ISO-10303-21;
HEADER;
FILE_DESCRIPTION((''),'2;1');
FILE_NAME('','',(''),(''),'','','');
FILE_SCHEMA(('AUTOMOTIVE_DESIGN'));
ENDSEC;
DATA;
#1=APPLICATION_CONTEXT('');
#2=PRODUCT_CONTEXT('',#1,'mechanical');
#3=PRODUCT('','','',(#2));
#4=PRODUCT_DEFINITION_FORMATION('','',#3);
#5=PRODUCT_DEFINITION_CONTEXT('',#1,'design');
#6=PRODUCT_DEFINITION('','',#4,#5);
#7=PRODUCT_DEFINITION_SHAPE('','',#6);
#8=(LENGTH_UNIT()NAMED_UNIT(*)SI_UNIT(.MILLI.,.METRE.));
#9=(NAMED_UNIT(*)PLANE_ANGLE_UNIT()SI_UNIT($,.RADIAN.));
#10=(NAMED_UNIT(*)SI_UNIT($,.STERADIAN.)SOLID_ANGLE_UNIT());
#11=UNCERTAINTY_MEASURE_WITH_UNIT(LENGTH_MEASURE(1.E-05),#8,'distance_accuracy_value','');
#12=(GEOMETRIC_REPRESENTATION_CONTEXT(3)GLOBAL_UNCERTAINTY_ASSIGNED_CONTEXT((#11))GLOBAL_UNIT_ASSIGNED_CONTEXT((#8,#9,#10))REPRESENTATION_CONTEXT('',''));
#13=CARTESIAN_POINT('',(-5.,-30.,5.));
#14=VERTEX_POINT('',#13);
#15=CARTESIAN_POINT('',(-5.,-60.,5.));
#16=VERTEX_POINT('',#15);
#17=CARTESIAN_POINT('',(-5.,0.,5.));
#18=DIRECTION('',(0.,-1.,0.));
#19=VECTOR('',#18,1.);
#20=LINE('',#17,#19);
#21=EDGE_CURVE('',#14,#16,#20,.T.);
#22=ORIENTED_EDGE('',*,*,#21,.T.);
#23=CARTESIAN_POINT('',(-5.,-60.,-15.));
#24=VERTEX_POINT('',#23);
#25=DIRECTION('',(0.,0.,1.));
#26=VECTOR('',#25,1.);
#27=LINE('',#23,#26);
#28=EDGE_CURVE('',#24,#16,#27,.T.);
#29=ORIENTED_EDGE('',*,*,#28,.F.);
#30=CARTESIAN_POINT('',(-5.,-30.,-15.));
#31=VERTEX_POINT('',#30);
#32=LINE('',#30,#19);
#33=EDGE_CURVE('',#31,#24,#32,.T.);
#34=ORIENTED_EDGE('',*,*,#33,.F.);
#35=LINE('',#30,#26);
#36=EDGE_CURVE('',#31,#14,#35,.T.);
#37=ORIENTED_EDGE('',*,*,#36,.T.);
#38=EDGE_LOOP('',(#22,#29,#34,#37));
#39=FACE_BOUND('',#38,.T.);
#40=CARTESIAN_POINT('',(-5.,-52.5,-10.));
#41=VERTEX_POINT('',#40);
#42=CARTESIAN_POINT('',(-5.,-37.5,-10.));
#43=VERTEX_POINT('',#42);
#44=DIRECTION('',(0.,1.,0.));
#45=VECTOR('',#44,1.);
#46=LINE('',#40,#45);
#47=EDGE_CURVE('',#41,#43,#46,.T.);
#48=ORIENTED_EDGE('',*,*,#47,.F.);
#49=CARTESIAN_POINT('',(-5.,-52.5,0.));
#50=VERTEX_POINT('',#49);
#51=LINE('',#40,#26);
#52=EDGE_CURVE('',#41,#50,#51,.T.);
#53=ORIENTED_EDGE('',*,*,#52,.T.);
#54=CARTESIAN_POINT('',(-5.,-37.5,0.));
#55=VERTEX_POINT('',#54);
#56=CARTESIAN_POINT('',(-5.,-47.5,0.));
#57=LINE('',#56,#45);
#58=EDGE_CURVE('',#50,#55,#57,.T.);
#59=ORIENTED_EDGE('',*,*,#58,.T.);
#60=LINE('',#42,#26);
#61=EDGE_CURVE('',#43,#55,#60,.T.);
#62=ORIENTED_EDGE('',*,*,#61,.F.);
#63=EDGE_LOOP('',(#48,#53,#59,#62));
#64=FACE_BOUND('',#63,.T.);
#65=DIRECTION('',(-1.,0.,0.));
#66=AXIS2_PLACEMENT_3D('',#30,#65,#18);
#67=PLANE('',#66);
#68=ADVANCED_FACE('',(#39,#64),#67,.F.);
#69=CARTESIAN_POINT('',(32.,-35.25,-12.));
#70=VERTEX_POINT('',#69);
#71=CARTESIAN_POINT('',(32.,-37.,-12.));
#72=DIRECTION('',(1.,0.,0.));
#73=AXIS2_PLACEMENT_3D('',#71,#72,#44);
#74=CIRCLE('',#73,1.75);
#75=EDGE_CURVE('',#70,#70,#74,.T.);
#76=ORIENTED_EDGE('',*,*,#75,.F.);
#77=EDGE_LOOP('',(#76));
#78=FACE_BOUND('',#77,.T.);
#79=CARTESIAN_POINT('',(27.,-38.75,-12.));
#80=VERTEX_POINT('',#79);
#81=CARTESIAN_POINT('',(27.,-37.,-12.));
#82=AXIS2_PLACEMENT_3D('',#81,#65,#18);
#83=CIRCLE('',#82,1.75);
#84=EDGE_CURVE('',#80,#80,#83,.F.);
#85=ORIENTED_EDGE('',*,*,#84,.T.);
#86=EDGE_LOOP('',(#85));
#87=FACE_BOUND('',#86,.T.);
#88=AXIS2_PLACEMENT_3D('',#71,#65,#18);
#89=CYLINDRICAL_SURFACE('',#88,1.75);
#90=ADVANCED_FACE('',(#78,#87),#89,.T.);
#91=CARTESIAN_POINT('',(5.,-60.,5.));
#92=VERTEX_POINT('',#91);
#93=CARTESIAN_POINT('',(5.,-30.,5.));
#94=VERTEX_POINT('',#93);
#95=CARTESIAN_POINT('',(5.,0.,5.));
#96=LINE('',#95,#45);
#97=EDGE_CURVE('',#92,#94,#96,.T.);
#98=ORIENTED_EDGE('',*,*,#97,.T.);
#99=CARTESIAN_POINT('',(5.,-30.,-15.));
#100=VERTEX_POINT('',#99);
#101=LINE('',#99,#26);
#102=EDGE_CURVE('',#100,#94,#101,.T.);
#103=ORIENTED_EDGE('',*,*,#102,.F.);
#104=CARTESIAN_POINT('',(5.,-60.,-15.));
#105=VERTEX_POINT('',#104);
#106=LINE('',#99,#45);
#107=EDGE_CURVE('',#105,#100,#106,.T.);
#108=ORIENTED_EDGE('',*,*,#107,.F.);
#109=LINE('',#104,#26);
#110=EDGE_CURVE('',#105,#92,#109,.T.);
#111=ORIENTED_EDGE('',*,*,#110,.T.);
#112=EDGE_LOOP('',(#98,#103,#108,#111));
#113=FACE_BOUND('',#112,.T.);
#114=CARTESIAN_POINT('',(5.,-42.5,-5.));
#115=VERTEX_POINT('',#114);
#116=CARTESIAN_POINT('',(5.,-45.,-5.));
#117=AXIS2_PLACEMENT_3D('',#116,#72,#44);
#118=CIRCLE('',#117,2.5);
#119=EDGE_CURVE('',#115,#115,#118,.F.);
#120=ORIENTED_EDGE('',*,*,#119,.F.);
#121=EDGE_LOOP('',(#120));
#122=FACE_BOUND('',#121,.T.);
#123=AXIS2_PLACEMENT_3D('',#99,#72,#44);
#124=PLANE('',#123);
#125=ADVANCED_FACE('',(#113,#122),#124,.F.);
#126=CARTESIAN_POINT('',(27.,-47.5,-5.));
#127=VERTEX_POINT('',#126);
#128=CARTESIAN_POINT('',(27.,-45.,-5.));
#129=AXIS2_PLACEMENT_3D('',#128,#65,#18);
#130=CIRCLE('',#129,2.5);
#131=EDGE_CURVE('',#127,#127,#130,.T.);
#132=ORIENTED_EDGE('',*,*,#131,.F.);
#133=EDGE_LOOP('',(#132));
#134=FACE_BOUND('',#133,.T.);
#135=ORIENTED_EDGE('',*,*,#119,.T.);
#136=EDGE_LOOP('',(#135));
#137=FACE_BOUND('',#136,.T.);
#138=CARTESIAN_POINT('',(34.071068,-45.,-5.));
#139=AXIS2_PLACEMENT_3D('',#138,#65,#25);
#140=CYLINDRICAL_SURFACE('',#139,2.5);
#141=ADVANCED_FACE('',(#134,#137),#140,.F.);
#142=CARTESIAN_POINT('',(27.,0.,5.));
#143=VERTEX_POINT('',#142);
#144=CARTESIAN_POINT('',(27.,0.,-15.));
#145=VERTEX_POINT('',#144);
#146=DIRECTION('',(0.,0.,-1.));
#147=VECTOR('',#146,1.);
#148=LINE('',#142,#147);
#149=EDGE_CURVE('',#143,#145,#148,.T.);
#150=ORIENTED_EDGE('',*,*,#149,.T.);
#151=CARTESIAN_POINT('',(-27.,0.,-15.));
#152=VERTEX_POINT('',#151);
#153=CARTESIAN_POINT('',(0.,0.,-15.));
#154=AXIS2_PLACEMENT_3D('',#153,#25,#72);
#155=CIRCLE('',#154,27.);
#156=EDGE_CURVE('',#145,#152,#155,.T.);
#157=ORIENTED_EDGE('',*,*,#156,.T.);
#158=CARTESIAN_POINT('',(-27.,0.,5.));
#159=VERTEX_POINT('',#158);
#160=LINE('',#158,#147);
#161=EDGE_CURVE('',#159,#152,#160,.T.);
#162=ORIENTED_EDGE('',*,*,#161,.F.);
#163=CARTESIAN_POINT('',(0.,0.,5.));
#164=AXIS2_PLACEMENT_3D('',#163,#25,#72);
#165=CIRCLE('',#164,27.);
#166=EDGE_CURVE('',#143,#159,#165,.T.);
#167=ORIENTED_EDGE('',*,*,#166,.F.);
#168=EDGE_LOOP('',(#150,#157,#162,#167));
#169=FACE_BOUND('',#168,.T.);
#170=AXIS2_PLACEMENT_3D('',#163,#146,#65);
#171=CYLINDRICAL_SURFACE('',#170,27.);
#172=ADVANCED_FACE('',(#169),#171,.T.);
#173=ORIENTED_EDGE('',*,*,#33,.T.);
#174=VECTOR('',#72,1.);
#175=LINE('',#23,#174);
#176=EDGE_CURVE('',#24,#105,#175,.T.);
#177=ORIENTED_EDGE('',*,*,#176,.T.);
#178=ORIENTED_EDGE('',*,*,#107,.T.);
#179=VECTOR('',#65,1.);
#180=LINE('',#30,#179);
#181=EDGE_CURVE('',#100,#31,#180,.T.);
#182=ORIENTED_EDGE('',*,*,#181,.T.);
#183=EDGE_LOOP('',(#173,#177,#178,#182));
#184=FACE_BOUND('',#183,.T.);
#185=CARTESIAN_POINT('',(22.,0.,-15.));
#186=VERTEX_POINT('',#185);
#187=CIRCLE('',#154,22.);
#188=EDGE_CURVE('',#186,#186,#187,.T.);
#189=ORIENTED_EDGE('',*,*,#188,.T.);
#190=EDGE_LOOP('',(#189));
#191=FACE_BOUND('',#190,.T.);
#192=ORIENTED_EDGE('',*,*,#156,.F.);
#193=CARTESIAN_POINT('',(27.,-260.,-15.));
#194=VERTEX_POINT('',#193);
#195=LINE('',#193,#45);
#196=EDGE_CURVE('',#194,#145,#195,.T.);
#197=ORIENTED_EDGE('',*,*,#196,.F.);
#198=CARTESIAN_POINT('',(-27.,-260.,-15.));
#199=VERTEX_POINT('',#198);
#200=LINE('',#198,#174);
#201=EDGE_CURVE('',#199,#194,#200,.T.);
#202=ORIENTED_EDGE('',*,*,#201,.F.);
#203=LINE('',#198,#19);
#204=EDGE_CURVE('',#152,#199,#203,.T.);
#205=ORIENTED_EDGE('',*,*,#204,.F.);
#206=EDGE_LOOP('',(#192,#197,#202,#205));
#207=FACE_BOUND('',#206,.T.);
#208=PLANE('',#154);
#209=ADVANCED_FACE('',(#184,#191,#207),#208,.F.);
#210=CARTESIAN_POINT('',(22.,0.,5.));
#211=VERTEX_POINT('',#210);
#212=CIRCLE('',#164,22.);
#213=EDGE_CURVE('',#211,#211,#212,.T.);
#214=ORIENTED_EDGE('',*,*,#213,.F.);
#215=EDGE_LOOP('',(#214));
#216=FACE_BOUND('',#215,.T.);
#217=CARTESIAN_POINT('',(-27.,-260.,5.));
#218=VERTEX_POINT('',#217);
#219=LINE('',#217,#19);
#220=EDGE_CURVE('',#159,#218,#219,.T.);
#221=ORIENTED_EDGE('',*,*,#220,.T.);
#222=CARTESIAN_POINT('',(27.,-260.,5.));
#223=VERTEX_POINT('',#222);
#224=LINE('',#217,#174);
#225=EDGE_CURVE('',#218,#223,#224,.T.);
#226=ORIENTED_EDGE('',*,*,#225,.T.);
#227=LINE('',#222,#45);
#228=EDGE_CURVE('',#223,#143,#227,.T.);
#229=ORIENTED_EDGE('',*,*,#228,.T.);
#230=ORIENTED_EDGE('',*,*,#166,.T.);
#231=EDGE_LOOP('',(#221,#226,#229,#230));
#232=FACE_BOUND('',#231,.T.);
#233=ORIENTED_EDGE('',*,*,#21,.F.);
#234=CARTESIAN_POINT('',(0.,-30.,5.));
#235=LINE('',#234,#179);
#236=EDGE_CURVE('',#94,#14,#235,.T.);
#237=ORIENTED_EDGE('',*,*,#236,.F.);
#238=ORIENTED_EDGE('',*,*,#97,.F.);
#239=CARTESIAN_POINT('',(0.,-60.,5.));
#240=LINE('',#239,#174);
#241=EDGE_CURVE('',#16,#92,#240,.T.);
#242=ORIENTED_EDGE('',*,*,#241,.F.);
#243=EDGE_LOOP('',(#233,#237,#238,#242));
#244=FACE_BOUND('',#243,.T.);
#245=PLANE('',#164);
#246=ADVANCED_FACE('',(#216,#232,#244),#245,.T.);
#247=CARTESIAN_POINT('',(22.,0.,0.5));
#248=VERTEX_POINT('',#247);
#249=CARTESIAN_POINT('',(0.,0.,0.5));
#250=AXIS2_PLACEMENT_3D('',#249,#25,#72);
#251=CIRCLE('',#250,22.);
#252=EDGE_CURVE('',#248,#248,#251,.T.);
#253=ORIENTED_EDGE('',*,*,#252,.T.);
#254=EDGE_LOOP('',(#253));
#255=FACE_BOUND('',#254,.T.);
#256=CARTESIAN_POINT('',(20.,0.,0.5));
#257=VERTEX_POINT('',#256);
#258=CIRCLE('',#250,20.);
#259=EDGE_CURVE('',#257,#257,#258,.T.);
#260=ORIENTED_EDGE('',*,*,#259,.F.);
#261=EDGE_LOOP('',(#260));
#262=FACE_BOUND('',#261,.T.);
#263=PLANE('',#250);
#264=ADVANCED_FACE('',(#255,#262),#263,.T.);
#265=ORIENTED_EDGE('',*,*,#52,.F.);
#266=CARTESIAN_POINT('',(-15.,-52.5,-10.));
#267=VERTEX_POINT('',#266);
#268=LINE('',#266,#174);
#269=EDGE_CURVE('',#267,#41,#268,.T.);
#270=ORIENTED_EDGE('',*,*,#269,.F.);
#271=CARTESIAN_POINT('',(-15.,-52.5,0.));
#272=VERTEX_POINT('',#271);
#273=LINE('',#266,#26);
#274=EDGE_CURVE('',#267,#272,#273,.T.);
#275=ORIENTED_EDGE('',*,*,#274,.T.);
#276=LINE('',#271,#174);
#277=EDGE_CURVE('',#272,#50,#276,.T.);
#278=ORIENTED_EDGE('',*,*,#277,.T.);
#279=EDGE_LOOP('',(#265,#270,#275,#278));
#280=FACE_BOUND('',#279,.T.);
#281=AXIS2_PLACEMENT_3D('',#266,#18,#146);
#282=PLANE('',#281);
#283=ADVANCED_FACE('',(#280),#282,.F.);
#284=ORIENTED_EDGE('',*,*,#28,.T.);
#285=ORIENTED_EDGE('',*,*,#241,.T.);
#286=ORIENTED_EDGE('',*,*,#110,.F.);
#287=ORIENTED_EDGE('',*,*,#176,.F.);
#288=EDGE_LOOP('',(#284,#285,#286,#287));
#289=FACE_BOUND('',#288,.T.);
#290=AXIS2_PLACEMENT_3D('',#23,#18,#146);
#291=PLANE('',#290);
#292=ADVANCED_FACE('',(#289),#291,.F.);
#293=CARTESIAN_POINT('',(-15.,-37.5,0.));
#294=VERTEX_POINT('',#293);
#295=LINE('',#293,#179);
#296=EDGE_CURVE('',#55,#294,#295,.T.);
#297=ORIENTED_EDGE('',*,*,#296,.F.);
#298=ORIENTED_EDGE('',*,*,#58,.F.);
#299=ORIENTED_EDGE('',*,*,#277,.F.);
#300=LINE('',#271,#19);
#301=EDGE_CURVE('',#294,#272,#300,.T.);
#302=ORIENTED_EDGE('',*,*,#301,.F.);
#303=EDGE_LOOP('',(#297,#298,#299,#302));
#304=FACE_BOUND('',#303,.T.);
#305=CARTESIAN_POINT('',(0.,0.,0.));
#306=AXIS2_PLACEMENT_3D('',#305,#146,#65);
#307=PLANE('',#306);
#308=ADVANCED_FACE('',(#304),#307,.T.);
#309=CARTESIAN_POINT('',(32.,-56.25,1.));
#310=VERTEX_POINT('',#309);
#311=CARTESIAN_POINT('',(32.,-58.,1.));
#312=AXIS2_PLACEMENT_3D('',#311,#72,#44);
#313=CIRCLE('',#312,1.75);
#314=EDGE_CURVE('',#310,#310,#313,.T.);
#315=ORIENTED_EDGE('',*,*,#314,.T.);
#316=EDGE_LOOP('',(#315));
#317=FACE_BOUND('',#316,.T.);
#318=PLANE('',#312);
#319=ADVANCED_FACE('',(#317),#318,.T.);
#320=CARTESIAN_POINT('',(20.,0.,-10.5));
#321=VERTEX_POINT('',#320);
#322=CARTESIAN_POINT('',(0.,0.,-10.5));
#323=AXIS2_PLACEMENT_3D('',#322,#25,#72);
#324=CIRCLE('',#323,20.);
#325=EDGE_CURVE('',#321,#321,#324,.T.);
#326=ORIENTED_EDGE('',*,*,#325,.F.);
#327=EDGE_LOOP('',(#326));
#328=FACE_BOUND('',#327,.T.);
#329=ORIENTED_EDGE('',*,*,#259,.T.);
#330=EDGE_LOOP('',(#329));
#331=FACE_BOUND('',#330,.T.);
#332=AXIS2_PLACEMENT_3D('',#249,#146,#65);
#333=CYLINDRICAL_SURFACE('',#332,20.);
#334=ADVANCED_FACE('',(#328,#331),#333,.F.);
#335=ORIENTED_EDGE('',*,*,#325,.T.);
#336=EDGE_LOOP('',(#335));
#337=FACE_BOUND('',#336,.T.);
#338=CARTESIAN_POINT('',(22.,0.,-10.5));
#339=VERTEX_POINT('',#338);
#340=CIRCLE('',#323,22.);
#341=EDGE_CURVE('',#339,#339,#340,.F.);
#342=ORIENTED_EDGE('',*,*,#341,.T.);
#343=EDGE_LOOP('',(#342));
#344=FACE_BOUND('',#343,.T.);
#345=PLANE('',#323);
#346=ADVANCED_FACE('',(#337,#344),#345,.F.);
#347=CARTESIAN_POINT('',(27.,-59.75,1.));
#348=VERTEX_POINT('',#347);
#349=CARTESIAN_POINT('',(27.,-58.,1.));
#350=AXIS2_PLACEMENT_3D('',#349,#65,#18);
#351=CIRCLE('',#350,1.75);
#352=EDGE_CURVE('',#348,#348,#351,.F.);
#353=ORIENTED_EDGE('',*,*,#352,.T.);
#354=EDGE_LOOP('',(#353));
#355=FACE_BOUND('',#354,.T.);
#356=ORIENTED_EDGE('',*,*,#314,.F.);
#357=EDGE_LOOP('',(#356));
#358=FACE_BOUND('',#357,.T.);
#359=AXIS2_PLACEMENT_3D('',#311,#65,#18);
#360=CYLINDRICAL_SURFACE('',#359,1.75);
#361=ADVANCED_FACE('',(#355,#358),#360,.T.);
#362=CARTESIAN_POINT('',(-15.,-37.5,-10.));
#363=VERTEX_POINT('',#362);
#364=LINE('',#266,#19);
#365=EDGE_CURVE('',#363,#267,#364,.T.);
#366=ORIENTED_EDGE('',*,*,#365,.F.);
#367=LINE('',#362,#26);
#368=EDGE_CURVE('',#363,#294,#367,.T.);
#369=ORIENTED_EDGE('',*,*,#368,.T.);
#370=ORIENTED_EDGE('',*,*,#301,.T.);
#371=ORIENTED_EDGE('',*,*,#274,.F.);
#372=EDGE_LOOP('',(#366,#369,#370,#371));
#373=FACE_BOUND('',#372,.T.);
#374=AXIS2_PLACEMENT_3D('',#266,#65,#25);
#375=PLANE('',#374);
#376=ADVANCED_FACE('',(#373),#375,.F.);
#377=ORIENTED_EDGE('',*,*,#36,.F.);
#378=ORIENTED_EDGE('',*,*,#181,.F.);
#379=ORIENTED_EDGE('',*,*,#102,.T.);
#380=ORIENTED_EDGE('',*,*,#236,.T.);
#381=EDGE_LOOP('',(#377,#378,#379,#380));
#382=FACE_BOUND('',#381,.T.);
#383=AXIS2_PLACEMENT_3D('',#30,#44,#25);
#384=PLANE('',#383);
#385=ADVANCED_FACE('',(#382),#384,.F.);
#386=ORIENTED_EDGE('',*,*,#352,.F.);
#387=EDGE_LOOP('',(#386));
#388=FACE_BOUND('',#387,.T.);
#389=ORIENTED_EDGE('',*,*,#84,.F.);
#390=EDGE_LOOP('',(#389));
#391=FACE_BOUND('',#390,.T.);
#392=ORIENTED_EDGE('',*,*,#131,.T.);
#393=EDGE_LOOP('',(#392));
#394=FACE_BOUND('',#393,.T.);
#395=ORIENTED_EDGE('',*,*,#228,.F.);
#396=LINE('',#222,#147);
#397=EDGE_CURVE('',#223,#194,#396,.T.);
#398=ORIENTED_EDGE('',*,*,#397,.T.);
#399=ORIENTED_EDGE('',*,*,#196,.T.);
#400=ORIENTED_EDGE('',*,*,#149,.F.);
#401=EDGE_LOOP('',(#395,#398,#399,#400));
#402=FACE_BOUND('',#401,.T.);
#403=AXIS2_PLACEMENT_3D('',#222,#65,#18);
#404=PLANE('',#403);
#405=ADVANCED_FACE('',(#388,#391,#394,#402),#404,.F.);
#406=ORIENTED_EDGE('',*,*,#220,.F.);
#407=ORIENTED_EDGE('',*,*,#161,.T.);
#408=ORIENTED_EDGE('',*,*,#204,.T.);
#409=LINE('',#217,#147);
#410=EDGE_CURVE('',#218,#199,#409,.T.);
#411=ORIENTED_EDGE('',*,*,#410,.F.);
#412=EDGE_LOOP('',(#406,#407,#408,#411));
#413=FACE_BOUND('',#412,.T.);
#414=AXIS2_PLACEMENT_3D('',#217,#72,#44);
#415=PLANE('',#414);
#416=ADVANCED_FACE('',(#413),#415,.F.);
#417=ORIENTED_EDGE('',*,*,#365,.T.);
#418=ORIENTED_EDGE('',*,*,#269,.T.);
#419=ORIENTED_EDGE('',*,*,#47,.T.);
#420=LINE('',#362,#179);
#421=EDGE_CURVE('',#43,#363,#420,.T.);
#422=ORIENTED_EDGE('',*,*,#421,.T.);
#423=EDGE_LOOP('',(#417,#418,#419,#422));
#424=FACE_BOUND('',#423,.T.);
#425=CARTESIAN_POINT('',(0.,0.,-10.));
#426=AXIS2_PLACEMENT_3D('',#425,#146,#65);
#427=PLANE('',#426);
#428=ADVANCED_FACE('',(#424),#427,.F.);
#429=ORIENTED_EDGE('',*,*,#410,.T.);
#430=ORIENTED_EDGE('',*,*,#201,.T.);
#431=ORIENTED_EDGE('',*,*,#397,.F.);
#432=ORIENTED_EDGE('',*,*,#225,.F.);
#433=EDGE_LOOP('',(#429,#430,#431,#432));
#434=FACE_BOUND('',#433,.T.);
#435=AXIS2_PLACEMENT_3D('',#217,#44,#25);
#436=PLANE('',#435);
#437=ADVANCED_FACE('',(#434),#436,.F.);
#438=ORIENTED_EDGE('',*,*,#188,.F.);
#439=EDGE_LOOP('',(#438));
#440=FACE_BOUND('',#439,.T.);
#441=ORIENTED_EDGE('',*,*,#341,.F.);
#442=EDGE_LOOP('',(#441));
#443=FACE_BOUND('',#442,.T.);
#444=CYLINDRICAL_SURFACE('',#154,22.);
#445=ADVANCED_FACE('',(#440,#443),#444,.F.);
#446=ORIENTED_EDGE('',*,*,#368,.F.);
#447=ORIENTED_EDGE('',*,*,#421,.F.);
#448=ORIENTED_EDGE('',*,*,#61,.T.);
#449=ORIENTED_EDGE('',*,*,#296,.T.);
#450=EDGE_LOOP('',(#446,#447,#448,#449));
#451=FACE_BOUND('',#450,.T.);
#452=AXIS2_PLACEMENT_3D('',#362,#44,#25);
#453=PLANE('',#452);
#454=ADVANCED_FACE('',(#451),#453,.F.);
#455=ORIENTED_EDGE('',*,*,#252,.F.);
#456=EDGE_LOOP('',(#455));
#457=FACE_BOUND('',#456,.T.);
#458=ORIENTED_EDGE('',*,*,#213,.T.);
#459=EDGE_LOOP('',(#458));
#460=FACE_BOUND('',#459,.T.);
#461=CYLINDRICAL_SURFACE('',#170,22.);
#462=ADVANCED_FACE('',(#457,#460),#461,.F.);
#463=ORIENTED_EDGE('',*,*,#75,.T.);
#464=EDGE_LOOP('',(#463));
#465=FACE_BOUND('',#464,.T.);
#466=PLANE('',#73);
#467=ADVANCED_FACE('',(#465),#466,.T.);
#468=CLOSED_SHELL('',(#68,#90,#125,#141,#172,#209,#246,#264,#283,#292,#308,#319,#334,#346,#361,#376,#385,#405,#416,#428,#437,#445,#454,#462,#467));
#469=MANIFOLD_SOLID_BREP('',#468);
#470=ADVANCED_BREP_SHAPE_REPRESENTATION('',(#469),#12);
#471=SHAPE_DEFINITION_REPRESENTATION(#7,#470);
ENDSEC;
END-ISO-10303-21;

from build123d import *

# Parameters (mm, degrees)
SKETCH1_R               = 22
BOSS_EXTRUDE1_DEPTH     = 5
SKETCH2_R               = 22
SKETCH2_R_2             = 20
BOSS_EXTRUDE2_DEPTH     = 0.5
BOSS_EXTRUDE4_START     = -15
SKETCH1_2_R             = 22
BOSS_EXTRUDE4_DEPTH     = 15
BOSS_EXTRUDE5_START     = -10.5
SKETCH2_2_R             = 22
SKETCH2_2_R_2           = 20
BOSS_EXTRUDE5_DEPTH     = 10.5
CUT_EXTRUDE1_DEPTH      = 263.162163555
CUT_EXTRUDE1_DEPTH_BACK = 263.162163555
SKETCH6_W               = 10
SKETCH6_H               = 30
CUT_EXTRUDE2_DEPTH      = 10
SKETCH8_R               = 2.5
CUT_EXTRUDE3_DEPTH      = 27
SKETCH9_R               = 1.75
BOSS_EXTRUDE6_DEPTH     = 5


with BuildPart() as part:
    # Sketch1 → Boss-Extrude1 (new body)
    with BuildSketch(Plane.XY):
        with BuildLine():
            Line((-27, -260), (27, -260))
            Line((27, -260), (27, 0))
            ThreePointArc((27, 0), (0, 27), (-27, 0))
            Line((-27, 0), (-27, -260))
        make_face()
        Circle(SKETCH1_R, mode=Mode.SUBTRACT)
    extrude(amount=BOSS_EXTRUDE1_DEPTH)

    # Sketch2 → Boss-Extrude2 (add)
    with BuildSketch(Plane.XY):
        Circle(SKETCH2_R)
        Circle(SKETCH2_R_2, mode=Mode.SUBTRACT)
    extrude(amount=BOSS_EXTRUDE2_DEPTH)

    # Sketch1<2> → Boss-Extrude4 (add)
    with BuildSketch(Plane.XY.offset(BOSS_EXTRUDE4_START)):
        with BuildLine():
            Line((-27, -260), (27, -260))
            Line((27, -260), (27, 0))
            ThreePointArc((27, 0), (0, 27), (-27, 0))
            Line((-27, 0), (-27, -260))
        make_face()
        Circle(SKETCH1_2_R, mode=Mode.SUBTRACT)
    extrude(amount=BOSS_EXTRUDE4_DEPTH)

    # Sketch2<2> → Boss-Extrude5 (add)
    with BuildSketch(Plane.XY.offset(BOSS_EXTRUDE5_START)):
        Circle(SKETCH2_2_R)
        Circle(SKETCH2_2_R_2, mode=Mode.SUBTRACT)
    extrude(amount=BOSS_EXTRUDE5_DEPTH)

    # Sketch6 → Cut-Extrude1 (cut, two sides: drawn at the far end of the back side and taken through both)
    with BuildSketch(Plane.XY.offset(5).offset(-CUT_EXTRUDE1_DEPTH_BACK)):
        with Locations((0, -45)):
            Rectangle(SKETCH6_W, SKETCH6_H)
    extrude(amount=CUT_EXTRUDE1_DEPTH + CUT_EXTRUDE1_DEPTH_BACK, mode=Mode.SUBTRACT)

    # Sketch7 → Cut-Extrude2 (cut)
    with BuildSketch(Plane.XY):
        Polygon((-15, -52.5), (-5, -52.5), (-5, -47.5), (-5, -37.5), (-15, -37.5), align=None)
    extrude(amount=-CUT_EXTRUDE2_DEPTH, mode=Mode.SUBTRACT)

    # Sketch8 → Cut-Extrude3 (cut)
    with BuildSketch(Plane(origin=(0, 0, 0), x_dir=(0, 0, -1), z_dir=(1, 0, 0))):
        with Locations(Location((5, -45, 0), (0, 0, 270))):
            Circle(SKETCH8_R)
    extrude(amount=CUT_EXTRUDE3_DEPTH, mode=Mode.SUBTRACT)

    # Sketch9 → Boss-Extrude6 (add)
    with BuildSketch(Plane(origin=(27, 0, 0), x_dir=(0, 0, -1), z_dir=(1, 0, 0))):
        with Locations(Location((12, -37, 0), (0, 0, 270))):
            Circle(SKETCH9_R)
        with Locations(Location((-1, -58, 0), (0, 0, 270))):
            Circle(SKETCH9_R)
    extrude(amount=BOSS_EXTRUDE6_DEPTH)


solid = part.part
